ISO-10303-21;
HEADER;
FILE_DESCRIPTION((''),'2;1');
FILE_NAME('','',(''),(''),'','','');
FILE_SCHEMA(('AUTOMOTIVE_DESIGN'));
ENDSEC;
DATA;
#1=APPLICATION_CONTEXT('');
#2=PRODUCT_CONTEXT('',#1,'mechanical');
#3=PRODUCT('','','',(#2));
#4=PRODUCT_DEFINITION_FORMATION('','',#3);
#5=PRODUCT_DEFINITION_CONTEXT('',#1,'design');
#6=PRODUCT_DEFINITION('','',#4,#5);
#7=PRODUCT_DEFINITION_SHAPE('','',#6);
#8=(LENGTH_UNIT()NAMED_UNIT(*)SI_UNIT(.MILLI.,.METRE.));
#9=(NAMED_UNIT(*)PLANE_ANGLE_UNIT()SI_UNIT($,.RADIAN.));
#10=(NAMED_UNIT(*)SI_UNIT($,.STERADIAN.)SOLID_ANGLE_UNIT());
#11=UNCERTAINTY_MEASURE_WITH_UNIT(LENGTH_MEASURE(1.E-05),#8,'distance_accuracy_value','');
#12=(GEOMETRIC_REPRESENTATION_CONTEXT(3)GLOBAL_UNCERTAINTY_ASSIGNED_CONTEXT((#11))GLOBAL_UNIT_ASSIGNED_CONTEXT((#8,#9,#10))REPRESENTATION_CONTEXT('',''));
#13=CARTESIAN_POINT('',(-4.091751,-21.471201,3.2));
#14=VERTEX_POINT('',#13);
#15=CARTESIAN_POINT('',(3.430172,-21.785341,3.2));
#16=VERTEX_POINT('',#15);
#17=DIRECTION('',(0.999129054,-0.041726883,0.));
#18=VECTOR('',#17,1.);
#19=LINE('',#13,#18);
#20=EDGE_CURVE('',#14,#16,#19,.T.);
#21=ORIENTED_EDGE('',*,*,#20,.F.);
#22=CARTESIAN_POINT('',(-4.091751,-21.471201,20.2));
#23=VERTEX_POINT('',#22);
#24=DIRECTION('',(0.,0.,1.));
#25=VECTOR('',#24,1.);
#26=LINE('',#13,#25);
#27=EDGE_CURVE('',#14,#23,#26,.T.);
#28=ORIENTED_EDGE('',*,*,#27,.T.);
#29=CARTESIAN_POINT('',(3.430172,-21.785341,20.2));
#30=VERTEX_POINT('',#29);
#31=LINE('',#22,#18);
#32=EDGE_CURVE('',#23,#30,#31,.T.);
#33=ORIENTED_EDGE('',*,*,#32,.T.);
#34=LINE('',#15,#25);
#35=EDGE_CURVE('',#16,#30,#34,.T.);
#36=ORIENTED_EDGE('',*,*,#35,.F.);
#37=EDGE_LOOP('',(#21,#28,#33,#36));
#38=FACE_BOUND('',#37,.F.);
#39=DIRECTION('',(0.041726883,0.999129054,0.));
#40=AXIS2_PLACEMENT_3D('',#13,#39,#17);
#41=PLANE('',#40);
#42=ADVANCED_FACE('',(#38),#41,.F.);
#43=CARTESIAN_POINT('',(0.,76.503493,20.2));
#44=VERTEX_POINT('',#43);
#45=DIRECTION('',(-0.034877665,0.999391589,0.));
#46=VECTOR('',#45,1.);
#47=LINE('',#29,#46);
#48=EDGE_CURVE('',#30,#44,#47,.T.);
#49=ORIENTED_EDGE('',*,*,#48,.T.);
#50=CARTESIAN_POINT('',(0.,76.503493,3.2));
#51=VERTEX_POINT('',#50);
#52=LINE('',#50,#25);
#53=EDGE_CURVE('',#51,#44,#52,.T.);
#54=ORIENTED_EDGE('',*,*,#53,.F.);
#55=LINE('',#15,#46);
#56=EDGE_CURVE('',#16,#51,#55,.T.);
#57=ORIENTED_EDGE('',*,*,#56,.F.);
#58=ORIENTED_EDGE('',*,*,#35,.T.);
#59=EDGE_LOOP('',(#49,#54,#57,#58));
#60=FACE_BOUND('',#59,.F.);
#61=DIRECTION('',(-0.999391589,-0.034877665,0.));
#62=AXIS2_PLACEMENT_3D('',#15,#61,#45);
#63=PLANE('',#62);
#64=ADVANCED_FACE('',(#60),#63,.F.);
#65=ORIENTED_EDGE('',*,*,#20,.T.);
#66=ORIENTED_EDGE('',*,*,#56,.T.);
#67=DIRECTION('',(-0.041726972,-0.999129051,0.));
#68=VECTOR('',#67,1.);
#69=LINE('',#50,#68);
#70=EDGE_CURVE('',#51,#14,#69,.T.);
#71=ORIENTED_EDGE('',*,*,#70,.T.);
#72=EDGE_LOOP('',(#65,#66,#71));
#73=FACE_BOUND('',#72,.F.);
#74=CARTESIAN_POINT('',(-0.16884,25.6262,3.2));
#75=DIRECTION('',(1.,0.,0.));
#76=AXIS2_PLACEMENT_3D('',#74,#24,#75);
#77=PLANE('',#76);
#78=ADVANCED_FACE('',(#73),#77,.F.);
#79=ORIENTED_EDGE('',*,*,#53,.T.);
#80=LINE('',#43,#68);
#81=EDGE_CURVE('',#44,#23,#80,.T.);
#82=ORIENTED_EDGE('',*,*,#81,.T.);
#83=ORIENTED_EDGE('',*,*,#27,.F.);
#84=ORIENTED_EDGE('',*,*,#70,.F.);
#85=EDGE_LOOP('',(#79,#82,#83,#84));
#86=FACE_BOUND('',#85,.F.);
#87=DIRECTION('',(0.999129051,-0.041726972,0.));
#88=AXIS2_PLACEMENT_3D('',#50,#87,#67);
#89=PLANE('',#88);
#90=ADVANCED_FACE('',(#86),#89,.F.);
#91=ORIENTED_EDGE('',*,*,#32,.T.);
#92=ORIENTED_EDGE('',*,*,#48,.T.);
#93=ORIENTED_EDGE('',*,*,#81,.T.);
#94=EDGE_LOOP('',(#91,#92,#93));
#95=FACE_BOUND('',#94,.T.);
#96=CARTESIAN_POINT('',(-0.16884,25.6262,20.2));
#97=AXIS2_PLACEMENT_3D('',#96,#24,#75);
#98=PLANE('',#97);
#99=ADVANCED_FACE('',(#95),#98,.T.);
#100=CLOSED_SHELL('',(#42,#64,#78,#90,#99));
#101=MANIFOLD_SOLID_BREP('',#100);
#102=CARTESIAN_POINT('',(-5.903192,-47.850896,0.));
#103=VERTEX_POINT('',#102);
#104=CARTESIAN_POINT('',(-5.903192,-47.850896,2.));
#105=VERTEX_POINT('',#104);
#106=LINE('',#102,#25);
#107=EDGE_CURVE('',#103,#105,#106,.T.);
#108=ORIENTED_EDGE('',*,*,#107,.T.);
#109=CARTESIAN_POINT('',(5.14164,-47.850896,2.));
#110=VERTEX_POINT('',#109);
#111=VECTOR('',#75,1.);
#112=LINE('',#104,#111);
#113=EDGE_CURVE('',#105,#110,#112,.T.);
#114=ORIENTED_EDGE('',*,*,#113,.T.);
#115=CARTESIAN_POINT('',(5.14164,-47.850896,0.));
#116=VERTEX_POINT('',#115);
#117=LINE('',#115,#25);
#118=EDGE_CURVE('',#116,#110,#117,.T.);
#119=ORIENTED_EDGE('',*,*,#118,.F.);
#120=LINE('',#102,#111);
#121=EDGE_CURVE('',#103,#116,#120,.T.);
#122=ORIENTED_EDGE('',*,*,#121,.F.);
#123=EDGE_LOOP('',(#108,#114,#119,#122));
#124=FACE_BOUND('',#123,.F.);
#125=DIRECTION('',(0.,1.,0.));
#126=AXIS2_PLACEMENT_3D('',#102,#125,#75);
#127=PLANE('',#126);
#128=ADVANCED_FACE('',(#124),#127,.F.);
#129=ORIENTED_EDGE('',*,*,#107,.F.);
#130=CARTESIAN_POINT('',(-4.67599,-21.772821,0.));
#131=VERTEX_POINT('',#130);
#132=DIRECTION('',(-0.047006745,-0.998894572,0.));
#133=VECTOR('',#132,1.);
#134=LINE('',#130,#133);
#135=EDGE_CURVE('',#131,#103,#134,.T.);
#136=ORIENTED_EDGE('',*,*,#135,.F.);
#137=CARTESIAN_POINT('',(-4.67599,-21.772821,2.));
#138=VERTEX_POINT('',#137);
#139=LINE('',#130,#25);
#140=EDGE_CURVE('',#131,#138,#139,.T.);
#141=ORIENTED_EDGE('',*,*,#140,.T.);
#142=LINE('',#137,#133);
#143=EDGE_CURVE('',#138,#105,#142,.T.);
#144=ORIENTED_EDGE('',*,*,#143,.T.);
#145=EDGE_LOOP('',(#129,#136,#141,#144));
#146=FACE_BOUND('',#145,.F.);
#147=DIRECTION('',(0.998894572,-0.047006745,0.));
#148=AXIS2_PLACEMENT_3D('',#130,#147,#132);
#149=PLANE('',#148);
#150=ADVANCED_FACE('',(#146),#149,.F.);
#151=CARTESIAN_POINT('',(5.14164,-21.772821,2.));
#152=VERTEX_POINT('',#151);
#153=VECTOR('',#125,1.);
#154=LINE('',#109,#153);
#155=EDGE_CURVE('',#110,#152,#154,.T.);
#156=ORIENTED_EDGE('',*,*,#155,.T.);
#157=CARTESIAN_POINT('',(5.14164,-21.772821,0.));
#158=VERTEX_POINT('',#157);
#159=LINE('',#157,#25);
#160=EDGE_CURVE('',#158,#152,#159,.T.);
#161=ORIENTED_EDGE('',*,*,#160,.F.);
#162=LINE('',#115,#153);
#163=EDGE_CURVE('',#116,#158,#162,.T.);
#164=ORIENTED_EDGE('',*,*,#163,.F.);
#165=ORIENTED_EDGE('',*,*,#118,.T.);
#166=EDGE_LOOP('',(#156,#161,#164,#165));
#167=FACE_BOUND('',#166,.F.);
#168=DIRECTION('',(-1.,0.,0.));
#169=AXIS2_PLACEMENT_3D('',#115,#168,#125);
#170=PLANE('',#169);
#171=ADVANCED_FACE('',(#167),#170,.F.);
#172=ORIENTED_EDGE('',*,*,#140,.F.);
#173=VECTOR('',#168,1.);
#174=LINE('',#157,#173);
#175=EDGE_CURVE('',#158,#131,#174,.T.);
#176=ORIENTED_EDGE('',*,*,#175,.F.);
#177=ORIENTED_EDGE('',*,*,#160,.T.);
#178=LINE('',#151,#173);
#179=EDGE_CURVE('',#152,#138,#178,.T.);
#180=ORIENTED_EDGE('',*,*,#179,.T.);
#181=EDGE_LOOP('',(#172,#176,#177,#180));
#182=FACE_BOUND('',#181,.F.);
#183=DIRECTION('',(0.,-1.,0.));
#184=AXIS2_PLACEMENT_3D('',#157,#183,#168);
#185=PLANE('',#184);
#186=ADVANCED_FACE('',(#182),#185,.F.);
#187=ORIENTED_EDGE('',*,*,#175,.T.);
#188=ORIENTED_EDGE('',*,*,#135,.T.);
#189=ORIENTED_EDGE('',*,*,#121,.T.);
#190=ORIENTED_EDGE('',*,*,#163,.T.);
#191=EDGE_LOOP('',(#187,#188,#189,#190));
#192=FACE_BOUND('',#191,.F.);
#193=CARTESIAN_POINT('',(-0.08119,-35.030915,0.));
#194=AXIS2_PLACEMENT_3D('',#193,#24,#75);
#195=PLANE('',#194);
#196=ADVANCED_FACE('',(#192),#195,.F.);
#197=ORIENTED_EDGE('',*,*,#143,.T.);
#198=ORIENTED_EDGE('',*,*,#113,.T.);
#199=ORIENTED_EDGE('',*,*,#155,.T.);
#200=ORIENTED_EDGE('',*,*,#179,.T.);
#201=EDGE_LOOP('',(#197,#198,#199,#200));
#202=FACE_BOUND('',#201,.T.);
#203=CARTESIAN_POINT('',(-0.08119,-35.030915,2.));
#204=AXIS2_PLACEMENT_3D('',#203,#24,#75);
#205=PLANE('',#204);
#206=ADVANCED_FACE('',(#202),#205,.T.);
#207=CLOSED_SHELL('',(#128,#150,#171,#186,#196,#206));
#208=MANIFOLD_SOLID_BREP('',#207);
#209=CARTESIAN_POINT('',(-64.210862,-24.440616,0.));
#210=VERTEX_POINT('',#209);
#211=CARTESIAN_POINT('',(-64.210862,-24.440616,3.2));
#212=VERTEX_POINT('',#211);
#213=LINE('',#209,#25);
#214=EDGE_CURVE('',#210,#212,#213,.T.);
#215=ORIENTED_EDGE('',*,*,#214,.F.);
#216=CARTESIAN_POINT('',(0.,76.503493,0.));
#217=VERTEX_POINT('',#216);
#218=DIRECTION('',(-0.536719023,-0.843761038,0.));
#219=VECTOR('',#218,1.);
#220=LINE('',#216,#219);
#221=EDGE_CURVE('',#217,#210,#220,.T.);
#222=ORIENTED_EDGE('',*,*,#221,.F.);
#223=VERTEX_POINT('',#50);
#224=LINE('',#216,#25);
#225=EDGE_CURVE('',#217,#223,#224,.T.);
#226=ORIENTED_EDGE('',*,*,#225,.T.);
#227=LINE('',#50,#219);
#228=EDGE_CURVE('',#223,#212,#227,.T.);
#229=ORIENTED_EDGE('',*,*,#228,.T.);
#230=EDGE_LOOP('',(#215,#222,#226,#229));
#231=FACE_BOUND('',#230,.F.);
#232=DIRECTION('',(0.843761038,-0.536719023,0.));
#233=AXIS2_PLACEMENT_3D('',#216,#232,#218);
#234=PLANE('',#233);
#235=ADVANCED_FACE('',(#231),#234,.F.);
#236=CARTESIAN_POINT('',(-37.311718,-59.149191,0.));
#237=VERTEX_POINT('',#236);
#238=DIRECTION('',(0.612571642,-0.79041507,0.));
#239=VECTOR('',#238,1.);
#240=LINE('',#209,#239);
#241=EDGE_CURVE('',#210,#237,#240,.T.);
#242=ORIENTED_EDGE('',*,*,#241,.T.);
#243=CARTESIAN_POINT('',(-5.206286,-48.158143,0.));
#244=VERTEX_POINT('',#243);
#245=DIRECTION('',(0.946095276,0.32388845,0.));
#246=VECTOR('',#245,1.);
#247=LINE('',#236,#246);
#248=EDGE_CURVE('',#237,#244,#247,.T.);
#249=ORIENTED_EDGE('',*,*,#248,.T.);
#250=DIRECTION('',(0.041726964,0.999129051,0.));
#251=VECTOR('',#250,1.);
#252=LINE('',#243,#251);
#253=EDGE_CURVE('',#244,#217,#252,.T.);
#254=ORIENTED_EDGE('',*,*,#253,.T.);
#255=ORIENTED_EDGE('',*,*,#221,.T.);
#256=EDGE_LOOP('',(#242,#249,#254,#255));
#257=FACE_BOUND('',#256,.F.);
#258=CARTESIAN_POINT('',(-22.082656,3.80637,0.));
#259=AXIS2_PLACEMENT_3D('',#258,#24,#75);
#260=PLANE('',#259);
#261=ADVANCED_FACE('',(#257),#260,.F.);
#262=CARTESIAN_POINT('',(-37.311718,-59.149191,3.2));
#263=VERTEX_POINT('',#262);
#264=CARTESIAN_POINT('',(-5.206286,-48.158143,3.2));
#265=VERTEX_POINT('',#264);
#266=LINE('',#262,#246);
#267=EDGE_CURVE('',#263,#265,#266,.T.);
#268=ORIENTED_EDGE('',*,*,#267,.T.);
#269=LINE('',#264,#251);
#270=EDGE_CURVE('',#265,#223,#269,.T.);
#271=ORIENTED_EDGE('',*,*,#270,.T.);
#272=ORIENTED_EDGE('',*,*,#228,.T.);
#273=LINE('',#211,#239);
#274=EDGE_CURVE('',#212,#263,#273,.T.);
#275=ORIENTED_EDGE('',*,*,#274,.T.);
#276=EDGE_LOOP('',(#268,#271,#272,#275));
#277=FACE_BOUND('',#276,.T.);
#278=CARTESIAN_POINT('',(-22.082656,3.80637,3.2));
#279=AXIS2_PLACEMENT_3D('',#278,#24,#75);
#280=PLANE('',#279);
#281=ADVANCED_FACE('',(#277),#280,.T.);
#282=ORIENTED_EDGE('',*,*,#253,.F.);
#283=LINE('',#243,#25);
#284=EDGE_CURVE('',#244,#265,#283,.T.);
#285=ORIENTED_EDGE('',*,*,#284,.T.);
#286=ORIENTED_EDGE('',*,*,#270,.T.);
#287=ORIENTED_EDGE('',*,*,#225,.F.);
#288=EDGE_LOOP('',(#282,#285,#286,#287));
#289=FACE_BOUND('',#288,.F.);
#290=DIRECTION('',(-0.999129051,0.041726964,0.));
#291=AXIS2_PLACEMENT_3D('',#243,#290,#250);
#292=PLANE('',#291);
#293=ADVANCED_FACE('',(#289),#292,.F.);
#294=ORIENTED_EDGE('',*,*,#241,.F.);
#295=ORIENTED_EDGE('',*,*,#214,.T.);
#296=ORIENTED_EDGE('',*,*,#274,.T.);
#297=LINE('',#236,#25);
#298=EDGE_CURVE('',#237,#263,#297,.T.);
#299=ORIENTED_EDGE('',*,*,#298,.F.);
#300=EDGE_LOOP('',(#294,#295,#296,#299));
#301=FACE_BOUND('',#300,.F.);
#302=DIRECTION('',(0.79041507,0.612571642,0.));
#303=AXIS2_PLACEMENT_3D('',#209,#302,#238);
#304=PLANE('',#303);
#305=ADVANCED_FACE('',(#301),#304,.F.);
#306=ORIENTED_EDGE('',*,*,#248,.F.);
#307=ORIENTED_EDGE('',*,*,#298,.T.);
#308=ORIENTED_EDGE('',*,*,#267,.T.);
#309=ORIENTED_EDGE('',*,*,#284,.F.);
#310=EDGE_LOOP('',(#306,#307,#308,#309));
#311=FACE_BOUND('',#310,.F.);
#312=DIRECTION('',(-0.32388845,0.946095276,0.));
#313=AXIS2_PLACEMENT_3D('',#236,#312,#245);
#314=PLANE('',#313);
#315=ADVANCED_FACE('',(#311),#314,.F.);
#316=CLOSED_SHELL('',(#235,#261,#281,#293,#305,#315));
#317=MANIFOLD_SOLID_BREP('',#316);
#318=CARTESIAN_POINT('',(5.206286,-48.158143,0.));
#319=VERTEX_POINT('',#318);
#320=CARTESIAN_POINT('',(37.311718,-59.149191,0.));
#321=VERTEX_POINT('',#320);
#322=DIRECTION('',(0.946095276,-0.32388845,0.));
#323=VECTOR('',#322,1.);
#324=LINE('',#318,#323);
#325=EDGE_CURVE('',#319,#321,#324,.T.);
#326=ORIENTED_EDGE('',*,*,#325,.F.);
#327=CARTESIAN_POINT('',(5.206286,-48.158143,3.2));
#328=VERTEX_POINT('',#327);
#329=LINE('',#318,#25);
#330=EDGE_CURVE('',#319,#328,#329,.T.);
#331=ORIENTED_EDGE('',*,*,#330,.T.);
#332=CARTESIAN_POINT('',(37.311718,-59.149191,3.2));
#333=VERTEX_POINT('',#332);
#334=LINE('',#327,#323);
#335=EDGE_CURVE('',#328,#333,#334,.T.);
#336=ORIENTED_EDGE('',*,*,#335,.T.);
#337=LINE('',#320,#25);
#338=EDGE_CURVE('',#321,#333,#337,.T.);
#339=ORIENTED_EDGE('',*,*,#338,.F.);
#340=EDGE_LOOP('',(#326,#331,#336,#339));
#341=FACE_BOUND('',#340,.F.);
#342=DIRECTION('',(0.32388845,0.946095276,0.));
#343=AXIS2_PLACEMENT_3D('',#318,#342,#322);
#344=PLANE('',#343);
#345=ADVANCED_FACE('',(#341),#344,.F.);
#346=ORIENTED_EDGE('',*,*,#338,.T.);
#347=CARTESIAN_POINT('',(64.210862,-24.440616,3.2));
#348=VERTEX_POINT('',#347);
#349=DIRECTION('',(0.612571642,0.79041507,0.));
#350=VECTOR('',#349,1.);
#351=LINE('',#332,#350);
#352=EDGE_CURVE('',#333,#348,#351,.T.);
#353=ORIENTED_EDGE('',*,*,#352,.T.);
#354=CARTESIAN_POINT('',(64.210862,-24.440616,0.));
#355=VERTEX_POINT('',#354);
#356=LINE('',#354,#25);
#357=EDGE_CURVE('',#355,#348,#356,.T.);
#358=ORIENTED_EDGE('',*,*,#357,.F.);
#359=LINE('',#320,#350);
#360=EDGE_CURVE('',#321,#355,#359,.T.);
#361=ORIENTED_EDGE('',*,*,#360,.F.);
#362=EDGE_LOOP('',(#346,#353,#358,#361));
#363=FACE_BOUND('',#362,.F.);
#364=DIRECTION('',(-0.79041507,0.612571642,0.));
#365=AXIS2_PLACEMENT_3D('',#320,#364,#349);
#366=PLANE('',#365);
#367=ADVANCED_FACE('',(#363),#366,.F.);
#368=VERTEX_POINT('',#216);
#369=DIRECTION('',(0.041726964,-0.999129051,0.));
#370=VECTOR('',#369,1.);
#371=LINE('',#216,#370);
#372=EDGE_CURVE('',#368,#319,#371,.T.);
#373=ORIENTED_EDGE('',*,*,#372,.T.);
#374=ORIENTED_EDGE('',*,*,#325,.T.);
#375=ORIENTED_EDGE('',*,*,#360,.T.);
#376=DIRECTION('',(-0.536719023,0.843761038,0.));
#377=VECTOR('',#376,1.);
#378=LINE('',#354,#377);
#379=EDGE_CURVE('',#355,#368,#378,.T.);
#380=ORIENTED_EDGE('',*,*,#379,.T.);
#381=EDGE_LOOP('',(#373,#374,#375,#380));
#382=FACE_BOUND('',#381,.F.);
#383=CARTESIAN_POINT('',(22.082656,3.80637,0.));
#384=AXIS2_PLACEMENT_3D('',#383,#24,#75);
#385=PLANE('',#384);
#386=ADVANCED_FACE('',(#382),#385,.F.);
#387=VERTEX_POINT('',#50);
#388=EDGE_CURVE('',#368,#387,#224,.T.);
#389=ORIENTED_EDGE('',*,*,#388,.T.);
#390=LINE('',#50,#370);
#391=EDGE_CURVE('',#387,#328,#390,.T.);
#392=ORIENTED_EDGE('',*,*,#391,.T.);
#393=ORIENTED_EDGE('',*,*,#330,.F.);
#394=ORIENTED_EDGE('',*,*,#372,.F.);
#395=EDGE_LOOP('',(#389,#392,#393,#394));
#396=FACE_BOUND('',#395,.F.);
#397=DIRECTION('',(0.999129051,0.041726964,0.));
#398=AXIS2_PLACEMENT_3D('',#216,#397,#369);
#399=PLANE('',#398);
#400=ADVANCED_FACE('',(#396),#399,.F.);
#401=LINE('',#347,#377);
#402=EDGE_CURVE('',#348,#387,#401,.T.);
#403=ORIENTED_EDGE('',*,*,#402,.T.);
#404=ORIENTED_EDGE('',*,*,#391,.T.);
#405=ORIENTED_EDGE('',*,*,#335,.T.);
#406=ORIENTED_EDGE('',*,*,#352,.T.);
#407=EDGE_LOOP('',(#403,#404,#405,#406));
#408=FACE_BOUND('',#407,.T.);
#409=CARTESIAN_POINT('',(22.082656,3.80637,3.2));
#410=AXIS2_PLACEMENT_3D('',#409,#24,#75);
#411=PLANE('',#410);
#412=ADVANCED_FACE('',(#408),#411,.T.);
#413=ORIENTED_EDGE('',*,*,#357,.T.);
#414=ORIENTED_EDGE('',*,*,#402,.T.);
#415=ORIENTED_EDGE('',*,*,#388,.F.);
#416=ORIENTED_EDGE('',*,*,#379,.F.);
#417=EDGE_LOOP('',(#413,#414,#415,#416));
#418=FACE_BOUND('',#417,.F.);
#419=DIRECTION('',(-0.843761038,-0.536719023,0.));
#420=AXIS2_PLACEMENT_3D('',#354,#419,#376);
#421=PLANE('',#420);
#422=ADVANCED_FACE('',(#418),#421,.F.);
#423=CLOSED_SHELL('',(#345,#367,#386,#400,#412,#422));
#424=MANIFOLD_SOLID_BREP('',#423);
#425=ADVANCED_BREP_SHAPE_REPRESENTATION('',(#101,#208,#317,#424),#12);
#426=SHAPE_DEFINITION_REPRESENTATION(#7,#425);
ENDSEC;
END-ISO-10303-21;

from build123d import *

# Parameters (mm, degrees)
F1_DEPTH = 3.2
F3_DEPTH = 17
F5_DEPTH = 2


with BuildPart() as f1:
    # F0 (on Top) → F1 (new body)
    with BuildSketch(Plane.XY):
        Polygon((-5.206286, -48.158143), (0, 76.503493), (-64.210862, -24.440616), (-37.311718, -59.149191), align=None)
        Polygon((64.210862, -24.440616), (0, 76.503493), (5.206286, -48.158143), (37.311718, -59.149191), align=None)
    extrude(amount=F1_DEPTH)


with BuildPart() as f3:
    # F2 (on face) → F3 (new body)
    with BuildSketch(Plane.XY.offset(3.2)):
        Polygon((3.430172, -21.785341), (0, 76.503493), (-4.091751, -21.471201), align=None)
    extrude(amount=F3_DEPTH)


with BuildPart() as f5:
    # F4 (on Top) → F5 (new body)
    with BuildSketch(Plane.XY):
        Polygon((-4.67599, -21.772821), (-5.903192, -47.850896), (5.14164, -47.850896), (5.14164, -21.772821), align=None)
    extrude(amount=F5_DEPTH)


solid = Compound([f1.part, f3.part, f5.part])
